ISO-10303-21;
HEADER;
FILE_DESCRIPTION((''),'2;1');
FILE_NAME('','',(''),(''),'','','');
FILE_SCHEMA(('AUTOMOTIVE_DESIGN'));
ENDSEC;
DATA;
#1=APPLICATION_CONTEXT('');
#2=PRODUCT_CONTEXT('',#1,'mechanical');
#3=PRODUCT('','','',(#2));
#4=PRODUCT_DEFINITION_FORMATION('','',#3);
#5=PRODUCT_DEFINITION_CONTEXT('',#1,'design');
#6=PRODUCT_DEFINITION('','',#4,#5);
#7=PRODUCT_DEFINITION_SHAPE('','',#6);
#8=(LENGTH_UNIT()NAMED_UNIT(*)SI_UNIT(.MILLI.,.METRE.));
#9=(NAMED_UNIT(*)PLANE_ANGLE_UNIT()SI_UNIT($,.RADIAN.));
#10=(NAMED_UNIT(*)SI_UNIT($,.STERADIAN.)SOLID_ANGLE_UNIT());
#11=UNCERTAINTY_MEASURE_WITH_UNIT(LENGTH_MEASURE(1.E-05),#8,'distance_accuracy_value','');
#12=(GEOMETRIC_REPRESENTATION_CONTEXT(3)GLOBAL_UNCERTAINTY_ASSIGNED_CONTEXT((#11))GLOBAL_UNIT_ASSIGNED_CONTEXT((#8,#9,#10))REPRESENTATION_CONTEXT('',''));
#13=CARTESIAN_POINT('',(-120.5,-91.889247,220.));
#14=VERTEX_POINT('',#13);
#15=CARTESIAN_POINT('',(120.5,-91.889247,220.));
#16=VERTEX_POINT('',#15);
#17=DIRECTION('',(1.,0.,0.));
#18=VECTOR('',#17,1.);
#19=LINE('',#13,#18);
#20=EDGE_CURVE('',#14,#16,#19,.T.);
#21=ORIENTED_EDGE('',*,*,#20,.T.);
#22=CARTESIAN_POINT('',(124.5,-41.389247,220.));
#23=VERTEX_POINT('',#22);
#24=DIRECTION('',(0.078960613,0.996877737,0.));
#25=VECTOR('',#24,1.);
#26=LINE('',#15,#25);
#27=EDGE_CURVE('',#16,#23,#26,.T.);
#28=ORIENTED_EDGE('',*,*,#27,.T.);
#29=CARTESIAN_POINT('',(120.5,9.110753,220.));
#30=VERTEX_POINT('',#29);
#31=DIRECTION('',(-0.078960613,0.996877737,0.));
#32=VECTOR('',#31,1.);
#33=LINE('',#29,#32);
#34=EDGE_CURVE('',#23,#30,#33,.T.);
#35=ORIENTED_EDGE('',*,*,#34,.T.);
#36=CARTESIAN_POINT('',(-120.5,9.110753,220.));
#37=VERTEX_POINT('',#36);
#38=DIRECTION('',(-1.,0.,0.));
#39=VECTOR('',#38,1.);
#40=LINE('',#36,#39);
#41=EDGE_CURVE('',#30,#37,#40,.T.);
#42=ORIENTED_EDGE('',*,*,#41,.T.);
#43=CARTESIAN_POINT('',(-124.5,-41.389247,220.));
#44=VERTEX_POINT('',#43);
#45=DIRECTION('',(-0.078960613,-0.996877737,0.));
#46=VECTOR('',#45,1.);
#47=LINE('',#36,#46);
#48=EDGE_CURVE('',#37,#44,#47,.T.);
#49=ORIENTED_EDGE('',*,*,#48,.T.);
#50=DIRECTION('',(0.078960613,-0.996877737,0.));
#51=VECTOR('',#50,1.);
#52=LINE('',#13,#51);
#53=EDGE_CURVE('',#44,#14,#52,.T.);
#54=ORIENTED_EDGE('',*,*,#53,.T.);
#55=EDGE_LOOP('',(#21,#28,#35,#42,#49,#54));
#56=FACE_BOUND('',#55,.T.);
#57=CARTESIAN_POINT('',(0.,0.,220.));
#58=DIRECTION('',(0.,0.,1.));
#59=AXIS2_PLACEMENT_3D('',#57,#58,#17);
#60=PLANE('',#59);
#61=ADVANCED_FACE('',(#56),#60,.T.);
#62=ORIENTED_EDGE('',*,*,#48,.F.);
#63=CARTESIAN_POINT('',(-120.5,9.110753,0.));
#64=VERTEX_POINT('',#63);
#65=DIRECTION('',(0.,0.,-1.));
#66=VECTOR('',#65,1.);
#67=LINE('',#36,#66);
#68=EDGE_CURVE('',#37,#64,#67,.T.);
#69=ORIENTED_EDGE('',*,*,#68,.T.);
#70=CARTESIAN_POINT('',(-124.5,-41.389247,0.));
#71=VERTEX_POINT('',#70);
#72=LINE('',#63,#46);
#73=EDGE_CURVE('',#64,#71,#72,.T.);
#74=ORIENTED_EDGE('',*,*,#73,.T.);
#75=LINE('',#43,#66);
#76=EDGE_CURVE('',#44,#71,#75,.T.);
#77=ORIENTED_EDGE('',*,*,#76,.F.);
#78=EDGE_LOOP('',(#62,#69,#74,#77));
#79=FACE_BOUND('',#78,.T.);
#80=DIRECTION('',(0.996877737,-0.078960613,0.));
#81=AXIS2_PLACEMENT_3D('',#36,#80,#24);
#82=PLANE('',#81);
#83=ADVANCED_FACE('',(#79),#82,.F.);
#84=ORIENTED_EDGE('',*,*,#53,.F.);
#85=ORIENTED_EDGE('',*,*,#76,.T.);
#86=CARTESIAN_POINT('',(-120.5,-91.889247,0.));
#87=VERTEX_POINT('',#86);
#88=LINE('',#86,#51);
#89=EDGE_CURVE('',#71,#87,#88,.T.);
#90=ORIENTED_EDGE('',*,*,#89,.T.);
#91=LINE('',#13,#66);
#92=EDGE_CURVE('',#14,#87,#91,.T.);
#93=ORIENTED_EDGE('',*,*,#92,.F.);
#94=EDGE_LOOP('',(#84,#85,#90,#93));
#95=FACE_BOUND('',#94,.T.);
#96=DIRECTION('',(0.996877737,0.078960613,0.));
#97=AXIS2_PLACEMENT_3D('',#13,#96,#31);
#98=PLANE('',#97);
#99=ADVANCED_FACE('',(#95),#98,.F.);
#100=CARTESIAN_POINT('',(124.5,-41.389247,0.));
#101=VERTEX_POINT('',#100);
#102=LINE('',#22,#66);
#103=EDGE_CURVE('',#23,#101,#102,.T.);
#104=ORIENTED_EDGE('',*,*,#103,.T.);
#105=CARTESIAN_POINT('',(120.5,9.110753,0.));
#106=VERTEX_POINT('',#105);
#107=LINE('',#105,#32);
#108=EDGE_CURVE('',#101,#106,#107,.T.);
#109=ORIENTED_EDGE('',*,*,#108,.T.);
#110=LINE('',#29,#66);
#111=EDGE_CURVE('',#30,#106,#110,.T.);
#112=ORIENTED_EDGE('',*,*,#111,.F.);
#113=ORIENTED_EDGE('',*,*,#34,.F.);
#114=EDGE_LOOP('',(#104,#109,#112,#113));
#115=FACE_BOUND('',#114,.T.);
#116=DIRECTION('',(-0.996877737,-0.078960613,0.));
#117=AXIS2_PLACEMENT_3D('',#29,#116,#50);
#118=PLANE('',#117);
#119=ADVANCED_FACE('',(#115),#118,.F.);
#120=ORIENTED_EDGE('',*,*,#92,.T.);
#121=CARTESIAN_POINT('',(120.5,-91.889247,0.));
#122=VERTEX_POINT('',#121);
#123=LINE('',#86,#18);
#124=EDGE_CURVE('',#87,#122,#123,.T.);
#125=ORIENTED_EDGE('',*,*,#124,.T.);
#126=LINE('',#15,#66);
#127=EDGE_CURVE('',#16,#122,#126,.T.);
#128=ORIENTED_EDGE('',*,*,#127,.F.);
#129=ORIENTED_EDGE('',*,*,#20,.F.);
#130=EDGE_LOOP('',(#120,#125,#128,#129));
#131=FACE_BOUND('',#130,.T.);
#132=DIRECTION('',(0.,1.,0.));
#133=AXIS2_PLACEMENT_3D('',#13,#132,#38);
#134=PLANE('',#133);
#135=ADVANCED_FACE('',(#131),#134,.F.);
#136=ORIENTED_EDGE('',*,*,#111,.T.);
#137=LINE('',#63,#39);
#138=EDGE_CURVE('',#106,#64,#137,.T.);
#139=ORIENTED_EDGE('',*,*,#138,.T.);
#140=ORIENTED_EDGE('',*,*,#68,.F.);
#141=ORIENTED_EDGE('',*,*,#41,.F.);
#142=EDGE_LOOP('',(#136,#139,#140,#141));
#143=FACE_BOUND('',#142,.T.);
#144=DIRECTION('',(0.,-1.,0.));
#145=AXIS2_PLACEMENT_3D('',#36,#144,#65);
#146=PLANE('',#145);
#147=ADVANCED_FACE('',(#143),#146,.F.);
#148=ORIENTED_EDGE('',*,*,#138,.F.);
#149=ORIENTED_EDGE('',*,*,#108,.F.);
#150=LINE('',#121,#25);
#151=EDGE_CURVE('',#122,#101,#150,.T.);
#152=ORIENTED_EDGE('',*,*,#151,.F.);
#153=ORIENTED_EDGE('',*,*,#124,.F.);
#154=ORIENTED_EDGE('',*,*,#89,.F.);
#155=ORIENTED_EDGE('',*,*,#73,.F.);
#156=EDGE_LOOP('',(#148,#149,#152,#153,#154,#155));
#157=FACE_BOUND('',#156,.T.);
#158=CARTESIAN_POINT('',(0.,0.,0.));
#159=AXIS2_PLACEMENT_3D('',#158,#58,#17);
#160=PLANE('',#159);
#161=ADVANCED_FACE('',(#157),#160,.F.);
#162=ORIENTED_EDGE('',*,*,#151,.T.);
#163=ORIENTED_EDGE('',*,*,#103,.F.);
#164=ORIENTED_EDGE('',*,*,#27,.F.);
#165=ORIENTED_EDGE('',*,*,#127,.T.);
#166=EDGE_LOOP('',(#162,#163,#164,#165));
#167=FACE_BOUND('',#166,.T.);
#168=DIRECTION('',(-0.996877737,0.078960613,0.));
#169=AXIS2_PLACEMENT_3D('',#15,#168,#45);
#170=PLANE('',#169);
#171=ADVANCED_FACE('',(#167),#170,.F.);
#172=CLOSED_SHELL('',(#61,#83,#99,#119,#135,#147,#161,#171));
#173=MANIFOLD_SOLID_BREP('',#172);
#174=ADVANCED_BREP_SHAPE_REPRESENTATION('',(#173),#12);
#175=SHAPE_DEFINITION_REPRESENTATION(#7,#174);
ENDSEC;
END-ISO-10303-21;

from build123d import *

# Parameters (mm, degrees)
BOSS_EXTRUDE1_DEPTH = 220


with BuildPart() as part:
    # Sketch1 → Boss-Extrude1 (new body)
    with BuildSketch(Plane.XY):
        Polygon((-120.5, 9.110753472), (120.5, 9.110753472), (124.5, -41.389246528), (120.5, -91.889246528), (-120.5, -91.889246528), (-124.5, -41.389246528), align=None)
    extrude(amount=BOSS_EXTRUDE1_DEPTH)


solid = part.part
